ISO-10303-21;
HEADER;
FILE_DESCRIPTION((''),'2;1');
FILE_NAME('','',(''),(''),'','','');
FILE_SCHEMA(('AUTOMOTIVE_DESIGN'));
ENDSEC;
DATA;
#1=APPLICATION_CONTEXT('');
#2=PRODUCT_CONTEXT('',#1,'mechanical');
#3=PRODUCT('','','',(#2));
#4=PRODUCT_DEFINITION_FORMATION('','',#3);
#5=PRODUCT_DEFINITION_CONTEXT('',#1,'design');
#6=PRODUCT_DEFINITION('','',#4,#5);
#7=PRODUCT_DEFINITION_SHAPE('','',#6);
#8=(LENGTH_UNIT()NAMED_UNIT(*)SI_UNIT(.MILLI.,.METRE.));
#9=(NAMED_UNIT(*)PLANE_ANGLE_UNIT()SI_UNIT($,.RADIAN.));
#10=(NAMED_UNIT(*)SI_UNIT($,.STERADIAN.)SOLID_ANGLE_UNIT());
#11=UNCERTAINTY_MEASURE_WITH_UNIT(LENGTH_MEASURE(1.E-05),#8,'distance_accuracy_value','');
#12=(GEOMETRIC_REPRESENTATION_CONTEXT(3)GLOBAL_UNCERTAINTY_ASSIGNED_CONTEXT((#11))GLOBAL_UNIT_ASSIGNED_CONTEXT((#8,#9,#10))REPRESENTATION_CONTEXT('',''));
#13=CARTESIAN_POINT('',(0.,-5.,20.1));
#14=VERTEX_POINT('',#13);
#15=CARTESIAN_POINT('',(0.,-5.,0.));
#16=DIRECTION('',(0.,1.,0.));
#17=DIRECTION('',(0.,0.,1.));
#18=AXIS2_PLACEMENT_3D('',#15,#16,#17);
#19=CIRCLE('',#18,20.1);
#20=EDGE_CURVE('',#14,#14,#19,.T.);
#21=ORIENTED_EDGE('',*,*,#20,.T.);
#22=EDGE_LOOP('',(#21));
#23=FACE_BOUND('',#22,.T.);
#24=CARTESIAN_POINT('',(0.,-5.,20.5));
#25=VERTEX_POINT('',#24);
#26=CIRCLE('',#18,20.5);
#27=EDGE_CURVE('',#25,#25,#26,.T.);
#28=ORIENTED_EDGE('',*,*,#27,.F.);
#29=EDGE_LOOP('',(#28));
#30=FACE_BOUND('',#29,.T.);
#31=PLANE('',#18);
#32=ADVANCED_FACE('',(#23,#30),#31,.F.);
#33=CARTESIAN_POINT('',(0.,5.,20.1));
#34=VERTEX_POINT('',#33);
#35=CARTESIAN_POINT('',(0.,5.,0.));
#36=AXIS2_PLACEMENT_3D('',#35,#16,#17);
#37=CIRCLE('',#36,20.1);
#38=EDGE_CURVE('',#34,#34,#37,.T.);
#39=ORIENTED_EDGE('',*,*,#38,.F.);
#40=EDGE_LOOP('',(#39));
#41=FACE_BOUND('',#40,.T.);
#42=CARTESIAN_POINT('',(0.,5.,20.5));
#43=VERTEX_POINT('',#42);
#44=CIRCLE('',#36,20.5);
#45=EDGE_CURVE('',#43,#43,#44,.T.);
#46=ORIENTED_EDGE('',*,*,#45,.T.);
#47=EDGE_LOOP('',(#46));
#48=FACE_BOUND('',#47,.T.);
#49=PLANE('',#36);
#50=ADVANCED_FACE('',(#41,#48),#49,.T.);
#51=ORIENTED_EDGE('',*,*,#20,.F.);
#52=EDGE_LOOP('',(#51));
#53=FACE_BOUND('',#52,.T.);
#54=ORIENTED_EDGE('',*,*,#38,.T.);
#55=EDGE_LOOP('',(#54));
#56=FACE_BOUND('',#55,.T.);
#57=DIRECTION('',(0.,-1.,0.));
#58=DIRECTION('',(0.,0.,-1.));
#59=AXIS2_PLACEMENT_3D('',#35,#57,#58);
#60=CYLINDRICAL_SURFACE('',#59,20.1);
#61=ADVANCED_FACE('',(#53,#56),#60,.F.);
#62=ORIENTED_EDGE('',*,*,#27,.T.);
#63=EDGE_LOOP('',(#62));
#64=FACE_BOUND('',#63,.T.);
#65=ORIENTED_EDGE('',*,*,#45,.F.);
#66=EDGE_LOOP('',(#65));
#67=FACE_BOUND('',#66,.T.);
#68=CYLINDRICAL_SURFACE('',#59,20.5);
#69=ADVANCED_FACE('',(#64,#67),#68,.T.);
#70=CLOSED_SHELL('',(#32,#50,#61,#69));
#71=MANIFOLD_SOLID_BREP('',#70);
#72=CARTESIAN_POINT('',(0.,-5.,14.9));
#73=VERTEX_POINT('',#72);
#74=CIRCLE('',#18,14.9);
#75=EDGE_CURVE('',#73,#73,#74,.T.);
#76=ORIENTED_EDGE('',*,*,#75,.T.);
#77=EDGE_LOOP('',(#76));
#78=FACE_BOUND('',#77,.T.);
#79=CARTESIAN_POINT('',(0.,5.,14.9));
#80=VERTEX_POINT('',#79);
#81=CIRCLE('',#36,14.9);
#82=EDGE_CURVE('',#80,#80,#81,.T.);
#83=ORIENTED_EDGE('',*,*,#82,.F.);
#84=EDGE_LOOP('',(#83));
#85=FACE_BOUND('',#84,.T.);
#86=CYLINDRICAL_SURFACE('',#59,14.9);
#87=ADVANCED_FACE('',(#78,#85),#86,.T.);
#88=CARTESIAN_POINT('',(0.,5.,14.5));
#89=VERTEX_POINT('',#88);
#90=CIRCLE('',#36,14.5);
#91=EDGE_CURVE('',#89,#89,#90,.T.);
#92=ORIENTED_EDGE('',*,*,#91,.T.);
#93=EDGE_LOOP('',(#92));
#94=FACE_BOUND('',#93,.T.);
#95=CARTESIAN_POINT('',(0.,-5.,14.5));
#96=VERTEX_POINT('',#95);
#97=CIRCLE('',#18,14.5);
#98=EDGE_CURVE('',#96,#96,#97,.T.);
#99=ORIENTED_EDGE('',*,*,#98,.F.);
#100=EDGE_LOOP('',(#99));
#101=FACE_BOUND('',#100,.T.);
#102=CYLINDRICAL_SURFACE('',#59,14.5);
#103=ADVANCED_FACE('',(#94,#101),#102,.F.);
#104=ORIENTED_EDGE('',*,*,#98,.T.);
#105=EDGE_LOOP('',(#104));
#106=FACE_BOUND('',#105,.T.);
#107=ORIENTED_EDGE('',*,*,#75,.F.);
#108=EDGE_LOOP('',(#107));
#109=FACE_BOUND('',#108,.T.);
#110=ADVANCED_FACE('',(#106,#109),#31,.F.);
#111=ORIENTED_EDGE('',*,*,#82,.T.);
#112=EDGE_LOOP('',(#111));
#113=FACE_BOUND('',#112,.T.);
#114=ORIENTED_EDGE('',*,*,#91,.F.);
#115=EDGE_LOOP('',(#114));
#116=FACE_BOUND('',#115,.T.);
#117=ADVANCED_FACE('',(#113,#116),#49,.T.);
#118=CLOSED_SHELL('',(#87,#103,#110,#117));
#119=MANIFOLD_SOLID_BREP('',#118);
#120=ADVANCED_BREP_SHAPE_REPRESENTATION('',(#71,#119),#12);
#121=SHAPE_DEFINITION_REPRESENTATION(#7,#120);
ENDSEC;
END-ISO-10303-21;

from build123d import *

# Parameters (mm, degrees)
SKETCH1_R             = 20.5
SKETCH1_R_2           = 20.1
BOSS_EXTRUDE1_DEPTH   = 5
SKETCH1_R_3           = 14.9
SKETCH1_R_4           = 14.5
BOSS_EXTRUDE1_2_DEPTH = 5


with BuildPart() as part:
    # Sketch1 → Boss-Extrude1 (new, symmetric)
    with BuildSketch(Plane(origin=(0, 0, 0), x_dir=(1, 0, 0), z_dir=(0, 1, 0))):
        with Locations(Location((0, 0, 0), (0, 0, 270))):
            Circle(SKETCH1_R)
        with Locations(Location((0, 0, 0), (0, 0, 270))):
            Circle(SKETCH1_R_2, mode=Mode.SUBTRACT)
    extrude(amount=BOSS_EXTRUDE1_DEPTH, both=True)


with BuildPart() as body_2:
    # Sketch1 → Boss-Extrude1 2 (new, symmetric)
    with BuildSketch(Plane(origin=(0, 0, 0), x_dir=(1, 0, 0), z_dir=(0, 1, 0))):
        with Locations(Location((0, 0, 0), (0, 0, 270))):
            Circle(SKETCH1_R_3)
        with Locations(Location((0, 0, 0), (0, 0, 270))):
            Circle(SKETCH1_R_4, mode=Mode.SUBTRACT)
    extrude(amount=BOSS_EXTRUDE1_2_DEPTH, both=True)


solid = Compound([part.part, body_2.part])
